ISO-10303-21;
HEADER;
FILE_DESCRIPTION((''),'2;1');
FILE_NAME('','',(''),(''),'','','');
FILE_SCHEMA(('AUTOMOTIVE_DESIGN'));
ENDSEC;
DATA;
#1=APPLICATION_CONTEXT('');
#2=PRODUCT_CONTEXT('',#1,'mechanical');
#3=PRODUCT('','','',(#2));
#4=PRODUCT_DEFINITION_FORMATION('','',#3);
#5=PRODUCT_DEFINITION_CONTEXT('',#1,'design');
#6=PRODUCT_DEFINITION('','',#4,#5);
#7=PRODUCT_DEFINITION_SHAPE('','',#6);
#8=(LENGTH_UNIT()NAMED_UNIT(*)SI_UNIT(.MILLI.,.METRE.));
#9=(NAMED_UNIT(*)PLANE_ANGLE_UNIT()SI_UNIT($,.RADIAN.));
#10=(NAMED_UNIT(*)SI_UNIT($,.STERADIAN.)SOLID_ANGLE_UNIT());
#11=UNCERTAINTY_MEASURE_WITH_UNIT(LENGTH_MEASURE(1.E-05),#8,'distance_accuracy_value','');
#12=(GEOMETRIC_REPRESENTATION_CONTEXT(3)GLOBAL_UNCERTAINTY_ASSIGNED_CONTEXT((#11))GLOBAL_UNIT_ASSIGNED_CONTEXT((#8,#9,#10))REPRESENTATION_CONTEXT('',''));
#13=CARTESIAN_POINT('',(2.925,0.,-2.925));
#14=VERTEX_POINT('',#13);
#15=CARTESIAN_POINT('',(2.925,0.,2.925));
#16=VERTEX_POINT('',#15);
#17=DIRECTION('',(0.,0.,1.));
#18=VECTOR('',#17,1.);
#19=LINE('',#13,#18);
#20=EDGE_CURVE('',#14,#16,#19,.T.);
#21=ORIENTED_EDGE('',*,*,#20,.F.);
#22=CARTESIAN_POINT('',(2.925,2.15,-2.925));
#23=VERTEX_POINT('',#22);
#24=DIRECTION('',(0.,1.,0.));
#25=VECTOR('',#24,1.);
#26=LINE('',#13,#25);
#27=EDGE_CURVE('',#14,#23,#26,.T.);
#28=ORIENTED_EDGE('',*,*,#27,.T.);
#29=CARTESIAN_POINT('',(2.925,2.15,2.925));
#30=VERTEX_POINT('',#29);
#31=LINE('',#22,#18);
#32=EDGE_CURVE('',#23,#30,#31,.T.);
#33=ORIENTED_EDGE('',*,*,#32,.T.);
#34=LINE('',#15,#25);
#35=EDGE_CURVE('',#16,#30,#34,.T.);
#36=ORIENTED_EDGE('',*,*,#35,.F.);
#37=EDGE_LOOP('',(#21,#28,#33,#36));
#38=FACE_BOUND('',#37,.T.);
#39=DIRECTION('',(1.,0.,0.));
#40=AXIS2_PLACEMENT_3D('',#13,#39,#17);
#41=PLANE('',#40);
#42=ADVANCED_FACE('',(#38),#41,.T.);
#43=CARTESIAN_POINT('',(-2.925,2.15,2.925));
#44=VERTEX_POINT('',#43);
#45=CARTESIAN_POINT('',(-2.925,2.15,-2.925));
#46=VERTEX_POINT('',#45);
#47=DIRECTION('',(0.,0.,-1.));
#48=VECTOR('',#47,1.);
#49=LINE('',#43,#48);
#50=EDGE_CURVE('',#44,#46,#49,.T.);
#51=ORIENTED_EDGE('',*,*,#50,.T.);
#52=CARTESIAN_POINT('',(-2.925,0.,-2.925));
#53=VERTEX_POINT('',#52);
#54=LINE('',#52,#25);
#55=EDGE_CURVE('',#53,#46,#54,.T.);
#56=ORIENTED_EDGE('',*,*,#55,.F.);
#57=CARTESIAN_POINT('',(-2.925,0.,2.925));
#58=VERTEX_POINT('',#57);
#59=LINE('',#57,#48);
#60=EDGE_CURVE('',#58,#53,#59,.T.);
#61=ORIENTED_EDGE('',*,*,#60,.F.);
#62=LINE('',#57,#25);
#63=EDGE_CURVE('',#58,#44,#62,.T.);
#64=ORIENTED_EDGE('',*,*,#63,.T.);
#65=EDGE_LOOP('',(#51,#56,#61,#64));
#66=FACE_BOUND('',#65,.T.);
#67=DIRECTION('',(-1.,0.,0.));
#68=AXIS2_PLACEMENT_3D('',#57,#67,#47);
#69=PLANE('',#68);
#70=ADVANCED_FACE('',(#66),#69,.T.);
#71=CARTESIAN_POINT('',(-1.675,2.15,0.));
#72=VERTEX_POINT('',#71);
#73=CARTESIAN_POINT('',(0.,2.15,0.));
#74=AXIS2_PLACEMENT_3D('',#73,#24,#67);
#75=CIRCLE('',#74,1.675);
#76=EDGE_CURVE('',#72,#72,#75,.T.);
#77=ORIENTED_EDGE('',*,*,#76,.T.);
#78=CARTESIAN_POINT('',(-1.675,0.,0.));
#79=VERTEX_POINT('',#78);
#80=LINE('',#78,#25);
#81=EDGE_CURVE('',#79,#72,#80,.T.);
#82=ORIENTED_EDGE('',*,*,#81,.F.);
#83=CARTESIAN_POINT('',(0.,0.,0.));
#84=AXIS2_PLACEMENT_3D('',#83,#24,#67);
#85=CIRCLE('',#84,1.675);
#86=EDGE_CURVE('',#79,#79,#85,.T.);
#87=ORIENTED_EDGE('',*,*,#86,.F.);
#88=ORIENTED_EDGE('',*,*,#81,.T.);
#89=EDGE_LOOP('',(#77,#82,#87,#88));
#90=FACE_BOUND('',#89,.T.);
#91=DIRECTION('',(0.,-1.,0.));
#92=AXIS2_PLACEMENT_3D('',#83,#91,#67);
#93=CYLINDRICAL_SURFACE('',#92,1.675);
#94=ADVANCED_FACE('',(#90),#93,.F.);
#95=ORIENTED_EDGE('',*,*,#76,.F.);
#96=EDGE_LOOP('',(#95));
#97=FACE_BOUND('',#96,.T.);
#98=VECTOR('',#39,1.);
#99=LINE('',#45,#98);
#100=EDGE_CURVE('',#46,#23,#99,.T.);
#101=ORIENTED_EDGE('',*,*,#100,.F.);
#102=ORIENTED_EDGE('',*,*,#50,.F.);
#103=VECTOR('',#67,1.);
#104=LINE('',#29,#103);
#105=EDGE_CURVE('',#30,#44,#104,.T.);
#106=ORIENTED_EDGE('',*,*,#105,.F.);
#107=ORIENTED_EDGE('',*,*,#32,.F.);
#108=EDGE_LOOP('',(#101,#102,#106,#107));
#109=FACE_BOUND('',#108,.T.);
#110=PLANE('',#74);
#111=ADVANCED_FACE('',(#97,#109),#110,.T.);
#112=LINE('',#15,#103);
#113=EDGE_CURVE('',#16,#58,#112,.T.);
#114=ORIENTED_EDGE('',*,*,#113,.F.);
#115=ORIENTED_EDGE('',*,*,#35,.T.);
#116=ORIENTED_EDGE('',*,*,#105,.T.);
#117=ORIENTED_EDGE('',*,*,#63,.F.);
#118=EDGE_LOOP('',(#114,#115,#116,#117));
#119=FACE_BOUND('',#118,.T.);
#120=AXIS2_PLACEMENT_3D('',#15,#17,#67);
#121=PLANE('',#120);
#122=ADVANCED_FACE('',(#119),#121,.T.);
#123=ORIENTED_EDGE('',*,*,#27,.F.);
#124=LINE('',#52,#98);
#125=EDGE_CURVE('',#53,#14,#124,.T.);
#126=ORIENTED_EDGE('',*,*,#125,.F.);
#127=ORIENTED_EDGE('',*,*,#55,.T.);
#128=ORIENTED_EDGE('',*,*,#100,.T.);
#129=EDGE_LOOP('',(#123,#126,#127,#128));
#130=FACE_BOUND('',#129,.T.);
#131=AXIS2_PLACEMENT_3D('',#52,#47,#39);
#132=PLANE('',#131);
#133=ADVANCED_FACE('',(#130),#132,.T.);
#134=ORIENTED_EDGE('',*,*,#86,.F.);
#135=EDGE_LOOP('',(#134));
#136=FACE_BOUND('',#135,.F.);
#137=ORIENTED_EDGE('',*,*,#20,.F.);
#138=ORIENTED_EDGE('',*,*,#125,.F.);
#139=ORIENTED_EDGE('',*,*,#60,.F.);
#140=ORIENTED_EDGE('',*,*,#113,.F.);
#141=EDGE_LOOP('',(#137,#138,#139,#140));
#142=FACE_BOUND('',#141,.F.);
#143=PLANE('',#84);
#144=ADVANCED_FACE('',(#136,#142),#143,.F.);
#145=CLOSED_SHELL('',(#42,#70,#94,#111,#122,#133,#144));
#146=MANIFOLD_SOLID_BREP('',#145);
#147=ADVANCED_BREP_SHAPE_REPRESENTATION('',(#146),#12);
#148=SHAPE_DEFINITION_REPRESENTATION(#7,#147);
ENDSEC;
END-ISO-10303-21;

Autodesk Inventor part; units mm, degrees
ref_plane "YZ Plane" through (0, 0, 0) normal (1, 0, 0) x (0, 1, 0)
ref_plane "XZ Plane" through (0, 0, 0) normal (0, 1, 0) x (-1, 0, 0)
ref_plane "XY Plane" through (0, 0, 0) normal (0, 0, 1) x (1, 0, 0)
sketch "Sketch1" plane through (0, 0, 0) normal (0, 1, 0) x (-1, 0, 0)
  line L0 (-2.925, 2.925) -> (2.925, 2.925)
  line L1 (2.925, 2.925) -> (2.925, -2.925)
  line L2 (2.925, -2.925) -> (-2.925, -2.925)
  line L3 (-2.925, -2.925) -> (-2.925, 2.925)
  circle A0 centre (0, 0) radius 1.675
  point P0 (0, 2.925)
  point P1 (2.925, 0)
  dimension "d0" = 5.85
  dimension "d1" = 3.35
extrude "Extrusion1" add sketch "Sketch1" along normal blind 2.15
equation "\"d0\" = nut_A"
equation "\"d1\" = nut_C"
equation "\"d2\" = nut_B"
equation "\"nut_A\" = 5.85"
equation "\"nut_C\" = 3.35"
equation "\"nut_B\" = 2.15"
properties part number "NUT_3MM"
